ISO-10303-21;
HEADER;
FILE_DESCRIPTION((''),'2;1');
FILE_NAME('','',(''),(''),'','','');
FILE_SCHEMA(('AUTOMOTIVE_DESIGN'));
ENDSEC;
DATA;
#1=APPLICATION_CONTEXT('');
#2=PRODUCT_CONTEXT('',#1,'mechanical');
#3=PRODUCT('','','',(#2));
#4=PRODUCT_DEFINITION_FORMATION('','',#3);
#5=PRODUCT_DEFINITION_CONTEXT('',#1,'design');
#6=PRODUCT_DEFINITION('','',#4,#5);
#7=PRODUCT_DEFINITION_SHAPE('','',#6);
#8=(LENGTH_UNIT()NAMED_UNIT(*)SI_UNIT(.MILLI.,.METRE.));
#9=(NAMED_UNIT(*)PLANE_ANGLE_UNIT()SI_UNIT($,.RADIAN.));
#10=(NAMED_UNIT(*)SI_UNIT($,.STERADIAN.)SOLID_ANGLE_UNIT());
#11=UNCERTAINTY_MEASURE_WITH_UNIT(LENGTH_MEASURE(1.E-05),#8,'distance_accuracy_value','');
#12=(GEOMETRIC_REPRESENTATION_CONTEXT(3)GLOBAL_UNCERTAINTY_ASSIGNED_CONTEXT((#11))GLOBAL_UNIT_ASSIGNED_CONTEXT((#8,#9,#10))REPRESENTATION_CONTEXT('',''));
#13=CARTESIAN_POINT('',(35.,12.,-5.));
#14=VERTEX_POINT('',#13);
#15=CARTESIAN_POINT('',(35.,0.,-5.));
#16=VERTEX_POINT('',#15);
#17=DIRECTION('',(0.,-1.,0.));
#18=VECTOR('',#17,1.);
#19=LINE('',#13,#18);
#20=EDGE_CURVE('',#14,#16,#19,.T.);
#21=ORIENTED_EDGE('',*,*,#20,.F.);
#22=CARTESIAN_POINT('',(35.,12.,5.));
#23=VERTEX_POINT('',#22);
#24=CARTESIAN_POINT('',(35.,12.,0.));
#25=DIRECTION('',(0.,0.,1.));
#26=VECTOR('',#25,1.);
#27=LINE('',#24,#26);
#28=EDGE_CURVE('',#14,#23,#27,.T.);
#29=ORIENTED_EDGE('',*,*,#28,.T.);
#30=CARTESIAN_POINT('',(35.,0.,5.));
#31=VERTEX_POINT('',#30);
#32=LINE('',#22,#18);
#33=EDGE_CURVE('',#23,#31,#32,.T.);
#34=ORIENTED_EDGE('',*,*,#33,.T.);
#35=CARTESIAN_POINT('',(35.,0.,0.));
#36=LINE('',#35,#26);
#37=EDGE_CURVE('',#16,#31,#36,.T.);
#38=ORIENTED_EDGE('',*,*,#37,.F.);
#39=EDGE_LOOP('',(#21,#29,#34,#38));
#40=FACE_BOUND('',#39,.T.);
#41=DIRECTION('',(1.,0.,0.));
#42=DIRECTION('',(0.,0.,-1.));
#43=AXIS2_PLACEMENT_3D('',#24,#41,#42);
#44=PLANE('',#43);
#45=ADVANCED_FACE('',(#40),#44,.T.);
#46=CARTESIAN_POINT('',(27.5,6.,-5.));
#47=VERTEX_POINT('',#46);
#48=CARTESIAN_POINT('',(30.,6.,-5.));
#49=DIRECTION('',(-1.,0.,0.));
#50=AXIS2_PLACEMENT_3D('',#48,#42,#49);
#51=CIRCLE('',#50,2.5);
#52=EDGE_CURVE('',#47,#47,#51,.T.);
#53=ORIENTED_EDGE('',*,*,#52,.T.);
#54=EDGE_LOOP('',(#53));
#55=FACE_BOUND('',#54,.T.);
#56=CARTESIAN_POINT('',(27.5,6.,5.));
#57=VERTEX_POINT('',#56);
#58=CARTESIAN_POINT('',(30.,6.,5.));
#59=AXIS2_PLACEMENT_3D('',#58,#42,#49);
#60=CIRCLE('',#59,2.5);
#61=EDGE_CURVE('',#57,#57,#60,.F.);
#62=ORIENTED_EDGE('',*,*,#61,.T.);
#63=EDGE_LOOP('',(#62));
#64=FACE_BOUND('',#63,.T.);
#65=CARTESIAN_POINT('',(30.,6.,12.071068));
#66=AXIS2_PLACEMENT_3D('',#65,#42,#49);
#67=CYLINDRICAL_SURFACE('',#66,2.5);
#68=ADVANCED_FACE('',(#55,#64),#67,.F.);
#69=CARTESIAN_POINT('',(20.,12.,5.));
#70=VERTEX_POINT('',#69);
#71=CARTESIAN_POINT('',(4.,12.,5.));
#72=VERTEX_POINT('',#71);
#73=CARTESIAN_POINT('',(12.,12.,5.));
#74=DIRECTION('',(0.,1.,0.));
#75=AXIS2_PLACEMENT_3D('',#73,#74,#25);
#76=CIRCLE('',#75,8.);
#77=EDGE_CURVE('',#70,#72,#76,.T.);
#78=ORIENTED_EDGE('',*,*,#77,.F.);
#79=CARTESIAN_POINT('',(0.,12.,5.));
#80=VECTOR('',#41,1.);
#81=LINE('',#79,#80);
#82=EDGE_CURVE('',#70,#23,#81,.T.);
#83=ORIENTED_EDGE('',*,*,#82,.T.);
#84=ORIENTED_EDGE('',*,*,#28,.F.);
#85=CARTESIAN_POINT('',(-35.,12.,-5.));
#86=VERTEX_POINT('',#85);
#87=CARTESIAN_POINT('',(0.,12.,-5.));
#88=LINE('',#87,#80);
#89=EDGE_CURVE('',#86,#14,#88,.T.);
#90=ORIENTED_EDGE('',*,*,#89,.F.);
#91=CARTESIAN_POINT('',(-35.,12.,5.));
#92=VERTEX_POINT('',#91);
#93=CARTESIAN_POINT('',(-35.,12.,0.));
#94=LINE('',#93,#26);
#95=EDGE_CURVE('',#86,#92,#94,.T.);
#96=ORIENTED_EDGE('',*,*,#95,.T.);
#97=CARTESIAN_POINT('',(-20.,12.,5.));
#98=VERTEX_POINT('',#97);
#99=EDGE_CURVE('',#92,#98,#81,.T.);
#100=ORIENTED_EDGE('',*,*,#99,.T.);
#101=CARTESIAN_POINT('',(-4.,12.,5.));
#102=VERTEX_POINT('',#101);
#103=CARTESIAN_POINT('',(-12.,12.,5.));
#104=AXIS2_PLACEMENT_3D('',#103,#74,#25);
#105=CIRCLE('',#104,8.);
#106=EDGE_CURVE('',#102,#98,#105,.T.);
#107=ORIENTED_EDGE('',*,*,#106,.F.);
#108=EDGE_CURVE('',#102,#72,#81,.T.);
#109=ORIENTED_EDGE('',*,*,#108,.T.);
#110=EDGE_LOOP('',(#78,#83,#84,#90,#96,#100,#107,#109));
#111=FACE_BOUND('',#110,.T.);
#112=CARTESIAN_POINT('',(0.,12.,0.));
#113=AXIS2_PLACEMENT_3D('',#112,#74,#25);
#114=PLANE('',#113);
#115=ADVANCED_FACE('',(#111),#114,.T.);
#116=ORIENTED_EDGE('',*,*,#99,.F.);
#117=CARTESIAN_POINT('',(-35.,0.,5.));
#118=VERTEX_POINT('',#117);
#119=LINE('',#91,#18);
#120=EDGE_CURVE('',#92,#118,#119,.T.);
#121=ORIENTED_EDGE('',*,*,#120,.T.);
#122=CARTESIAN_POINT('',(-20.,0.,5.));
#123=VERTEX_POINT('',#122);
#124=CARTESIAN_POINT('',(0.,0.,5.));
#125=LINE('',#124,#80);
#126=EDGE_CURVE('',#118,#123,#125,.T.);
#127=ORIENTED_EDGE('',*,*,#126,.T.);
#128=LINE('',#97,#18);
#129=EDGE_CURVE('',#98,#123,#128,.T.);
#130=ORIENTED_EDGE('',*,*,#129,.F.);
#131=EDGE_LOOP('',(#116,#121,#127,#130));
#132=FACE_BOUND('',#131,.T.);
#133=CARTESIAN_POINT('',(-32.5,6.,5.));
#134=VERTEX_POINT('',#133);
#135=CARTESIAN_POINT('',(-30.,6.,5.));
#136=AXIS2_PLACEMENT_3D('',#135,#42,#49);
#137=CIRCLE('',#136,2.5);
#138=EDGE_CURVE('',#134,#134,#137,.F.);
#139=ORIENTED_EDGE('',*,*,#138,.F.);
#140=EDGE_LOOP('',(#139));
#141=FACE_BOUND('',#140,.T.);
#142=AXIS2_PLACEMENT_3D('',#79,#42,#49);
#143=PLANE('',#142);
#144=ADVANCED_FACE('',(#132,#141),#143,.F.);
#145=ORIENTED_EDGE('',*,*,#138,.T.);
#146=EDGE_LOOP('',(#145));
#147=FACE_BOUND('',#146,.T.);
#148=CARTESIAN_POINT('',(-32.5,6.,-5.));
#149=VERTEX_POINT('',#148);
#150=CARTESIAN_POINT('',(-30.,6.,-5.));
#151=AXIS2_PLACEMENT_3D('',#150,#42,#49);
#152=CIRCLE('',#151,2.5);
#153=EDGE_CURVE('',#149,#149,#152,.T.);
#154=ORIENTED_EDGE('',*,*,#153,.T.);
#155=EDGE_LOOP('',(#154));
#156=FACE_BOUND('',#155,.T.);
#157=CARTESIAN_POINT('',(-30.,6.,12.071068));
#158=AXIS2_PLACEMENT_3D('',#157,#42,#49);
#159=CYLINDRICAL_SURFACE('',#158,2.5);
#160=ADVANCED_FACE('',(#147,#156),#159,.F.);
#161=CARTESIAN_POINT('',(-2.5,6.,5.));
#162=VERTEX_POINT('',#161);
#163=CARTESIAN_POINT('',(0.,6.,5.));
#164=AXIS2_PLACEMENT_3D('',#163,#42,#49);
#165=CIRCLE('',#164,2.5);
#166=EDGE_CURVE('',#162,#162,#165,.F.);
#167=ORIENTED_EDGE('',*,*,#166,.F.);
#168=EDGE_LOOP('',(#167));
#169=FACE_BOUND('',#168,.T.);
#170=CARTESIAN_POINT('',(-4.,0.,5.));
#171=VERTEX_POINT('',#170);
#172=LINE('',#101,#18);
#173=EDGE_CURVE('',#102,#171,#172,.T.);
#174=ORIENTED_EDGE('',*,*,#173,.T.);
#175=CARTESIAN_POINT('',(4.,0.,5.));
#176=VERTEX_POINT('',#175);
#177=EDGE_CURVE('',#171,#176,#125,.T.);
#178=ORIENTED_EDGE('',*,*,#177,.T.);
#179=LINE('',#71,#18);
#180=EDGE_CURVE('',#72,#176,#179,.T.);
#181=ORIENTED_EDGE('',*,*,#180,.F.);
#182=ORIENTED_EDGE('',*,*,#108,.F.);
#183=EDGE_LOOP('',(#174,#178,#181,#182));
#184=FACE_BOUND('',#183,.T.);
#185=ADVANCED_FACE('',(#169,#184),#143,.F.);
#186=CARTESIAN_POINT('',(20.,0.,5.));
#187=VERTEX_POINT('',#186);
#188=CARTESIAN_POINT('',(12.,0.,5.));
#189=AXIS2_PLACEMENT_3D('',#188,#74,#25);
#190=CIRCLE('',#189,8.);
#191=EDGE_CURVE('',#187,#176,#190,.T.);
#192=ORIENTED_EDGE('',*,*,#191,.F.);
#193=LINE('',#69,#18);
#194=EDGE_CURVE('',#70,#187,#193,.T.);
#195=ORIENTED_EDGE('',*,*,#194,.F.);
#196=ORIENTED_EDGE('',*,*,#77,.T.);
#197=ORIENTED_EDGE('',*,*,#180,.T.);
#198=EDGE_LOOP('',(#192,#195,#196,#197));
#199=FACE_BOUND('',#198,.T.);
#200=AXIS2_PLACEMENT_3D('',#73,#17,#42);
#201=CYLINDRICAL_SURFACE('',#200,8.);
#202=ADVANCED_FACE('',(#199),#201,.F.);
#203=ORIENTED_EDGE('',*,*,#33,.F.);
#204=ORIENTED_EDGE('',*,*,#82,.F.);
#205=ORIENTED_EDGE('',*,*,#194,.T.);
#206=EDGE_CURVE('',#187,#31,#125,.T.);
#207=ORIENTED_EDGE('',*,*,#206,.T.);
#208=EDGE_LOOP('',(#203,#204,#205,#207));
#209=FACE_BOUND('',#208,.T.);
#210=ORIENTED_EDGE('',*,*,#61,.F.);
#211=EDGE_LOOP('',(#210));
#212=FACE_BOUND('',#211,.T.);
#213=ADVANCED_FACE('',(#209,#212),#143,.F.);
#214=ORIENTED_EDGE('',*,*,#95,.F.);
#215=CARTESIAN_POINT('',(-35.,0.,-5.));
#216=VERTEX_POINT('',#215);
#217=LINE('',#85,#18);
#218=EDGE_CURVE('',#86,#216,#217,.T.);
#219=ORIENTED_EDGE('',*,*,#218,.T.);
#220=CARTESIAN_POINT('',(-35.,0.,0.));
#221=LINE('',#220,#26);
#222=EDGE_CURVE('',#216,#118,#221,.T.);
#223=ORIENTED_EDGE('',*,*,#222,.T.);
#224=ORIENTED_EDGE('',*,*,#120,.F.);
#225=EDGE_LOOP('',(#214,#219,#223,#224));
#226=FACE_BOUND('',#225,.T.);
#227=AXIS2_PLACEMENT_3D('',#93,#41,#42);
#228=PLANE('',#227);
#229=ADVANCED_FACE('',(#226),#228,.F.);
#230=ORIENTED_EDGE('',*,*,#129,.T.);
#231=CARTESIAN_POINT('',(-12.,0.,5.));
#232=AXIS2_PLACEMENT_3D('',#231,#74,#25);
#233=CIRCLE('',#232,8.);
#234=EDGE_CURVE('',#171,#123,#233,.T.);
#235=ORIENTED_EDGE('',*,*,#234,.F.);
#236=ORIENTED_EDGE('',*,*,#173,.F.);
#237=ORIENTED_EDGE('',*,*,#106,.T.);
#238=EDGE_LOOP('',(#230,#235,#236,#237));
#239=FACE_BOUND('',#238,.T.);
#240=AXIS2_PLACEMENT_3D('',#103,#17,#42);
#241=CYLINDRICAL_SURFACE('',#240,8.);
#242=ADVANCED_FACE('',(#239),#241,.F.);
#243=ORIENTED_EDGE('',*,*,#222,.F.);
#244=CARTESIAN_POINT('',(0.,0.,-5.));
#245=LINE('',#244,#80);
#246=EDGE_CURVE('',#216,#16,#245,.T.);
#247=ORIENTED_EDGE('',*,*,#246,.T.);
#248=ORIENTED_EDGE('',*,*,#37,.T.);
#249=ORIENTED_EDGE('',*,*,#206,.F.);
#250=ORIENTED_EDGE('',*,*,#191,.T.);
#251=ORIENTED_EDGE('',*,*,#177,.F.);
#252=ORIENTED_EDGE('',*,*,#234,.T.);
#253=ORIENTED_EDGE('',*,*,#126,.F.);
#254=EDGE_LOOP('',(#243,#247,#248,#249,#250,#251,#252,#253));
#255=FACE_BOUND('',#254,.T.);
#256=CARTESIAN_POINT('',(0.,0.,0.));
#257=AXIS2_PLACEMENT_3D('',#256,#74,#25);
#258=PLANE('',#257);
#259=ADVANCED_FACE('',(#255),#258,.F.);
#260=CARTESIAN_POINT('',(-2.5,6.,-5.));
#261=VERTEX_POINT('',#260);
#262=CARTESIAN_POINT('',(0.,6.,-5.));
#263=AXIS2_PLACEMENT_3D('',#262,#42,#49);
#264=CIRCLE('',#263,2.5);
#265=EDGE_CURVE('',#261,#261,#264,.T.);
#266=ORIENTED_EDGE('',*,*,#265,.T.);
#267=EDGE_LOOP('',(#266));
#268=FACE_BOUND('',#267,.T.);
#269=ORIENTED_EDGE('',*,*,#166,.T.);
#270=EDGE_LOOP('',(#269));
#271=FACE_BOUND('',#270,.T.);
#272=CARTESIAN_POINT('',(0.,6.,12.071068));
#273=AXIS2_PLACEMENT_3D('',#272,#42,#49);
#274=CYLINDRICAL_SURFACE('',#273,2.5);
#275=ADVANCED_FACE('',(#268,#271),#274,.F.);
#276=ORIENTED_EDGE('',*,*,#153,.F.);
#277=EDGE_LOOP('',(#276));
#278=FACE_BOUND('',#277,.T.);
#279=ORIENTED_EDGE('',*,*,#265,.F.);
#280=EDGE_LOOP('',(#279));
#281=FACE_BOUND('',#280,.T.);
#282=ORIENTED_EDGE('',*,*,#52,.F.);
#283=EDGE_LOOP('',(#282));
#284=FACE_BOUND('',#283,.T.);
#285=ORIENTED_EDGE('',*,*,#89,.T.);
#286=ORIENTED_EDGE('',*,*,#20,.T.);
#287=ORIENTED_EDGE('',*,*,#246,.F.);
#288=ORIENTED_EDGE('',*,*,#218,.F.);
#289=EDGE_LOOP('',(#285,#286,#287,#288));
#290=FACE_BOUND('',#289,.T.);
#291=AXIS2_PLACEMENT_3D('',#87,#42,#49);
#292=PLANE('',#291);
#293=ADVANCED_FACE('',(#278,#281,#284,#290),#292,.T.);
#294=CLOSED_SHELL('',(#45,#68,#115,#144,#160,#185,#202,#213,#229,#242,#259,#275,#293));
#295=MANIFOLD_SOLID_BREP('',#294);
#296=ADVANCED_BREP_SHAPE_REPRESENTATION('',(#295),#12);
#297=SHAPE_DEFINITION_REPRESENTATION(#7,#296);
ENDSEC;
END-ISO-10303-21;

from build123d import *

# Parameters (mm, degrees)
BOSS_EXTRUDE1_DEPTH = 12
SKETCH2_R           = 2.5
CUT_EXTRUDE1_DEPTH  = 10


with BuildPart() as part:
    # Sketch1 → Boss-Extrude1 (new body)
    with BuildSketch(Plane(origin=(0, 0, 0), x_dir=(1, 0, 0), z_dir=(0, 1, 0))):
        with BuildLine():
            Line((35, 5), (-35, 5))
            Line((-35, 5), (-35, -5))
            Line((-35, -5), (-20, -5))
            ThreePointArc((-20, -5), (-12, 3), (-4, -5))
            Line((-4, -5), (4, -5))
            ThreePointArc((4, -5), (12, 3), (20, -5))
            Line((20, -5), (35, -5))
            Line((35, -5), (35, 5))
        make_face()
    extrude(amount=BOSS_EXTRUDE1_DEPTH)

    # Sketch2 → Cut-Extrude1 (cut)
    with BuildSketch(Plane(origin=(0, 0, -5), x_dir=(-1, 0, 0), z_dir=(0, 0, -1))):
        with Locations((0, 6)):
            Circle(SKETCH2_R)
        with Locations((-30, 6)):
            Circle(SKETCH2_R)
        with Locations((30, 6)):
            Circle(SKETCH2_R)
    extrude(amount=-CUT_EXTRUDE1_DEPTH, mode=Mode.SUBTRACT)


solid = part.part
